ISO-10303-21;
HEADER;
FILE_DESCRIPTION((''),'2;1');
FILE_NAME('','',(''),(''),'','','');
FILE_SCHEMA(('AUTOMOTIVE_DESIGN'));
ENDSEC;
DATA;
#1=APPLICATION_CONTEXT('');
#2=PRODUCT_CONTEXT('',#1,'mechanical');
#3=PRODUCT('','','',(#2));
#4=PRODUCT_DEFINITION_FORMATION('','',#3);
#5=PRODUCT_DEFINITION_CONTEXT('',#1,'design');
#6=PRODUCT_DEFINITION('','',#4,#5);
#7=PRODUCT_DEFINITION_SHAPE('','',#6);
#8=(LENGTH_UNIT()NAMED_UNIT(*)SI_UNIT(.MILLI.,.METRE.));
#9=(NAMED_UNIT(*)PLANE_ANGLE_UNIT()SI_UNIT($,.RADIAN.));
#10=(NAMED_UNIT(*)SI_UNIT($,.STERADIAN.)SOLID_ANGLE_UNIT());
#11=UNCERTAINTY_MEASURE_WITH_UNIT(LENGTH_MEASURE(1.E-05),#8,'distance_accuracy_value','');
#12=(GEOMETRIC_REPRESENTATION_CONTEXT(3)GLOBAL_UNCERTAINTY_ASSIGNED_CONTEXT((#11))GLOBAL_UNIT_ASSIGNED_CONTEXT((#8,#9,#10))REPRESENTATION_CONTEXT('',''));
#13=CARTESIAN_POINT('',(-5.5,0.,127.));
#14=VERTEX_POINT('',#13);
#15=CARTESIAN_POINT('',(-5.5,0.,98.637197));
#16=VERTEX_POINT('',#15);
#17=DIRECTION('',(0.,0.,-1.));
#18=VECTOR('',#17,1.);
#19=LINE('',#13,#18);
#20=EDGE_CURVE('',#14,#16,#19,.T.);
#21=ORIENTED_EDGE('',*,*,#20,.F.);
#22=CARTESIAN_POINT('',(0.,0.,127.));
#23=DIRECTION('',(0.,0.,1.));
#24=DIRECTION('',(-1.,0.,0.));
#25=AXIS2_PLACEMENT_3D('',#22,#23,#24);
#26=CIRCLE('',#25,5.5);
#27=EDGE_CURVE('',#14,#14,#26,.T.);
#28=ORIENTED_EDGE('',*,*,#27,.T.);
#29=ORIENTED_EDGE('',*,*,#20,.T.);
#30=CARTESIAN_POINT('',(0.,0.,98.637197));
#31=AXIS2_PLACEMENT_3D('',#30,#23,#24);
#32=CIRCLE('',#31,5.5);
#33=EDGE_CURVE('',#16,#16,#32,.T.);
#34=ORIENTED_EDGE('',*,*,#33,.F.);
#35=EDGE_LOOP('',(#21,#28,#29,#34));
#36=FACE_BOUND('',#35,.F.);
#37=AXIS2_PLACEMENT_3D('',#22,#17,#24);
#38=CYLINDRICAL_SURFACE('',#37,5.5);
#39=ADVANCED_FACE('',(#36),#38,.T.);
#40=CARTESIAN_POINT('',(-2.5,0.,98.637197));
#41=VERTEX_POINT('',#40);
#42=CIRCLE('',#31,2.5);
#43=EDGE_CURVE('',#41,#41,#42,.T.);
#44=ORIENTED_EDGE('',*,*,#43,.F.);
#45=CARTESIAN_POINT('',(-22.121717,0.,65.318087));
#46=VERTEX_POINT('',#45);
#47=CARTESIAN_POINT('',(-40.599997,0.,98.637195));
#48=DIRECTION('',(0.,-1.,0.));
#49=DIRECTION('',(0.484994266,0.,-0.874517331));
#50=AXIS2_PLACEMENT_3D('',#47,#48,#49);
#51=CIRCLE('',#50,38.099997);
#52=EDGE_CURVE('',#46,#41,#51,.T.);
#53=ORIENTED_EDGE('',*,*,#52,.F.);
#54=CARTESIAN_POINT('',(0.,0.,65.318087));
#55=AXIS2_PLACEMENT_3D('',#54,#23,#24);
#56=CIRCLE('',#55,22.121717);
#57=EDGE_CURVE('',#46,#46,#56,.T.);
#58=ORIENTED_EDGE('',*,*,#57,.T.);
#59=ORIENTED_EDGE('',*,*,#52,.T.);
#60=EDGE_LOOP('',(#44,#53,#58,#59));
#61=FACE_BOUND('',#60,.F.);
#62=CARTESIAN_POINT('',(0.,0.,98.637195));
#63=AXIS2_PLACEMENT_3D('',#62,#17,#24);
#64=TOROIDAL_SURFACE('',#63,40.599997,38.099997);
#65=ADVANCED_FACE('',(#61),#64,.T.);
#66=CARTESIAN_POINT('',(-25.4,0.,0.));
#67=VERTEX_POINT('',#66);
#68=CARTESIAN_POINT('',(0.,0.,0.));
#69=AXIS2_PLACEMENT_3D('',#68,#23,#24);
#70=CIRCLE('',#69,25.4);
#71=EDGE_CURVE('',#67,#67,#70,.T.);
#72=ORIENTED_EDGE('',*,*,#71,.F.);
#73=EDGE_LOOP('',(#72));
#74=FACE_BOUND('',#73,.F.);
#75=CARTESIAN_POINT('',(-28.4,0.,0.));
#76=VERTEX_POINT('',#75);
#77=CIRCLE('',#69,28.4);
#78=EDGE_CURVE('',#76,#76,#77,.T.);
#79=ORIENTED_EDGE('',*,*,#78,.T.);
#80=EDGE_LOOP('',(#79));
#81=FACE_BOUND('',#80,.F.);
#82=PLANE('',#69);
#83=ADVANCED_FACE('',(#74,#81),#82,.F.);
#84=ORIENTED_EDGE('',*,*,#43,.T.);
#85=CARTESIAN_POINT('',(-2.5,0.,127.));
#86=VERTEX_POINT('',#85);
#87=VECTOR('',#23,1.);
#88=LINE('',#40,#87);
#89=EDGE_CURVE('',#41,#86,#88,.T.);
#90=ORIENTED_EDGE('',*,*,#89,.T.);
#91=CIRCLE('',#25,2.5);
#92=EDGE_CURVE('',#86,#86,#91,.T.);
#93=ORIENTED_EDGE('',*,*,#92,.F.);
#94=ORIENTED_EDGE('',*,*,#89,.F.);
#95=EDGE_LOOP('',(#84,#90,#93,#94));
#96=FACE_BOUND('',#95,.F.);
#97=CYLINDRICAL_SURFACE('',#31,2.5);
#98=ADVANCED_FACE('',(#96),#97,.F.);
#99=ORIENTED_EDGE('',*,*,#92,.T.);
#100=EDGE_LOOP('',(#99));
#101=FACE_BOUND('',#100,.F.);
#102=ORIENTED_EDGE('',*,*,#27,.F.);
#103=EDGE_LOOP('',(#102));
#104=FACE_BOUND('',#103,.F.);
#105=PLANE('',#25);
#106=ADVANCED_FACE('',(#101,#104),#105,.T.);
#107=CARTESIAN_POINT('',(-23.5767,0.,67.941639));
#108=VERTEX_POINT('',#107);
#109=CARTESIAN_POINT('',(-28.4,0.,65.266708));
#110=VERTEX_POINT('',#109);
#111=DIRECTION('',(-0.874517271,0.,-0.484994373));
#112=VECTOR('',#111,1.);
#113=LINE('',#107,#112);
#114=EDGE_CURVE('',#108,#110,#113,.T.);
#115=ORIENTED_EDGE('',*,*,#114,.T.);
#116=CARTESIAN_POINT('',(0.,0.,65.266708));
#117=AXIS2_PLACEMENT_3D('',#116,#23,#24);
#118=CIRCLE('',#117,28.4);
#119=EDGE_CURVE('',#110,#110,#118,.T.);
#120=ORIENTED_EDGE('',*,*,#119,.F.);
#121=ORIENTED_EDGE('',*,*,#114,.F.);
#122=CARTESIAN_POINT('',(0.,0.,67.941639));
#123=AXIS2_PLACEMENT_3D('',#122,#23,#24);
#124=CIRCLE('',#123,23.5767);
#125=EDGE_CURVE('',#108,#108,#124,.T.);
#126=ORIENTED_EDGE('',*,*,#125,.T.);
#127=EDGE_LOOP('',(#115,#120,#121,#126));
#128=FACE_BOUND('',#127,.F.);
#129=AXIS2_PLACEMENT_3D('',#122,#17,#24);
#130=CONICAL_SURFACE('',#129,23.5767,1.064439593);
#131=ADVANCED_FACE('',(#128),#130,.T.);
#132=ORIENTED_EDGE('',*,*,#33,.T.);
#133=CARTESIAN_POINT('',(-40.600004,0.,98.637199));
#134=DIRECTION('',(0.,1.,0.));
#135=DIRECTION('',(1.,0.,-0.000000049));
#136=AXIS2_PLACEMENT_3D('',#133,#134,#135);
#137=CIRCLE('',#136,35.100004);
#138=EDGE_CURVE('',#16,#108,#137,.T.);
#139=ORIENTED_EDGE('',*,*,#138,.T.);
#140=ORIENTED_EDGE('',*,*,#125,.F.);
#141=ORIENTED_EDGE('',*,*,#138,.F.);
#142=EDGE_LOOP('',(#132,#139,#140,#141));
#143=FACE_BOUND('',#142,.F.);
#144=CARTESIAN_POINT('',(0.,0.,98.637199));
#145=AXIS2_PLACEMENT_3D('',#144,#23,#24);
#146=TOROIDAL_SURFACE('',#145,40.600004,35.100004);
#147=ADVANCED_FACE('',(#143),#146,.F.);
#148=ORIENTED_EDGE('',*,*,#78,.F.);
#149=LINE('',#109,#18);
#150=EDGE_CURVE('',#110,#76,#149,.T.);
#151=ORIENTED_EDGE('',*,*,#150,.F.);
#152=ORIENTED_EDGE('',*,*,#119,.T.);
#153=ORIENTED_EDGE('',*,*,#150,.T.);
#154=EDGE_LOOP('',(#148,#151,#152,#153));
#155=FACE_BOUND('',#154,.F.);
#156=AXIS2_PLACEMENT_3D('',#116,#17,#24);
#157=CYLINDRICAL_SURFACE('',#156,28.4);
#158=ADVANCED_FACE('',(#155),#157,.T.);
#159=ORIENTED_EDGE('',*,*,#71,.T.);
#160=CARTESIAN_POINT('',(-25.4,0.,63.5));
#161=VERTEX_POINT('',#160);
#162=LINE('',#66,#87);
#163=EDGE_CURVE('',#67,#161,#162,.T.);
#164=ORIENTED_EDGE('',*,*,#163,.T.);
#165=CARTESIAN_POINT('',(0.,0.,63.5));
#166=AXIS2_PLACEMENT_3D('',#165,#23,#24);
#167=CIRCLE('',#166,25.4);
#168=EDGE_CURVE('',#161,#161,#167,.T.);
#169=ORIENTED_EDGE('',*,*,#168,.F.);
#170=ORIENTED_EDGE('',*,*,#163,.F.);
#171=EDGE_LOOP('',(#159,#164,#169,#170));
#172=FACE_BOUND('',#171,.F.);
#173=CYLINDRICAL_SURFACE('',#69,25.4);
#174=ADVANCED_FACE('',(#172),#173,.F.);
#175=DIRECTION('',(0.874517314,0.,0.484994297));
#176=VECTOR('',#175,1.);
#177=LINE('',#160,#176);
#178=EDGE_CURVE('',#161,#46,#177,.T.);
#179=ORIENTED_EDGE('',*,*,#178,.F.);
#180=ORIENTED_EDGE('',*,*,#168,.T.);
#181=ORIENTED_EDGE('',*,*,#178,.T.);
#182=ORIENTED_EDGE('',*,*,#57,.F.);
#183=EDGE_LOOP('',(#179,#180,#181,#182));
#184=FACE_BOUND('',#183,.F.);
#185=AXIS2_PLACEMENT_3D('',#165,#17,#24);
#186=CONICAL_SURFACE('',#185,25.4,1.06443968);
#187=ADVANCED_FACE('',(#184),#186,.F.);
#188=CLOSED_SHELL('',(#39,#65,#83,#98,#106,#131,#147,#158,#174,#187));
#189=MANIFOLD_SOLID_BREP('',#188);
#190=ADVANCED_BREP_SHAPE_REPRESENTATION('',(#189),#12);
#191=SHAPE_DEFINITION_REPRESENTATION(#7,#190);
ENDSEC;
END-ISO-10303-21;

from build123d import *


with BuildPart() as f2:
    # F0 (on Front) → F2 (revolve)
    with BuildSketch(Plane.XZ):
        with BuildLine():
            Line((-28.4, 0), (-25.4, 0))
            Line((-25.4, 0), (-25.4, 63.5))
            Line((-25.4, 63.5), (-22.121717, 65.318087))
            ThreePointArc((-22.121717, 65.318087), (-7.769887, 79.303451), (-2.5, 98.637197))
            Line((-2.5, 98.637197), (-2.5, 127))
            Line((-2.5, 127), (-5.5, 127))
            Line((-5.5, 127), (-5.5, 98.637197))
            ThreePointArc((-5.5, 98.637197), (-10.354936, 80.825794), (-23.5767, 67.941639))
            Line((-23.5767, 67.941639), (-28.4, 65.266708))
            Line((-28.4, 65.266708), (-28.4, 0))
        make_face()
    revolve(axis=Axis((0, 0, 64.849392), (0, 0, 1)))


solid = f2.part
